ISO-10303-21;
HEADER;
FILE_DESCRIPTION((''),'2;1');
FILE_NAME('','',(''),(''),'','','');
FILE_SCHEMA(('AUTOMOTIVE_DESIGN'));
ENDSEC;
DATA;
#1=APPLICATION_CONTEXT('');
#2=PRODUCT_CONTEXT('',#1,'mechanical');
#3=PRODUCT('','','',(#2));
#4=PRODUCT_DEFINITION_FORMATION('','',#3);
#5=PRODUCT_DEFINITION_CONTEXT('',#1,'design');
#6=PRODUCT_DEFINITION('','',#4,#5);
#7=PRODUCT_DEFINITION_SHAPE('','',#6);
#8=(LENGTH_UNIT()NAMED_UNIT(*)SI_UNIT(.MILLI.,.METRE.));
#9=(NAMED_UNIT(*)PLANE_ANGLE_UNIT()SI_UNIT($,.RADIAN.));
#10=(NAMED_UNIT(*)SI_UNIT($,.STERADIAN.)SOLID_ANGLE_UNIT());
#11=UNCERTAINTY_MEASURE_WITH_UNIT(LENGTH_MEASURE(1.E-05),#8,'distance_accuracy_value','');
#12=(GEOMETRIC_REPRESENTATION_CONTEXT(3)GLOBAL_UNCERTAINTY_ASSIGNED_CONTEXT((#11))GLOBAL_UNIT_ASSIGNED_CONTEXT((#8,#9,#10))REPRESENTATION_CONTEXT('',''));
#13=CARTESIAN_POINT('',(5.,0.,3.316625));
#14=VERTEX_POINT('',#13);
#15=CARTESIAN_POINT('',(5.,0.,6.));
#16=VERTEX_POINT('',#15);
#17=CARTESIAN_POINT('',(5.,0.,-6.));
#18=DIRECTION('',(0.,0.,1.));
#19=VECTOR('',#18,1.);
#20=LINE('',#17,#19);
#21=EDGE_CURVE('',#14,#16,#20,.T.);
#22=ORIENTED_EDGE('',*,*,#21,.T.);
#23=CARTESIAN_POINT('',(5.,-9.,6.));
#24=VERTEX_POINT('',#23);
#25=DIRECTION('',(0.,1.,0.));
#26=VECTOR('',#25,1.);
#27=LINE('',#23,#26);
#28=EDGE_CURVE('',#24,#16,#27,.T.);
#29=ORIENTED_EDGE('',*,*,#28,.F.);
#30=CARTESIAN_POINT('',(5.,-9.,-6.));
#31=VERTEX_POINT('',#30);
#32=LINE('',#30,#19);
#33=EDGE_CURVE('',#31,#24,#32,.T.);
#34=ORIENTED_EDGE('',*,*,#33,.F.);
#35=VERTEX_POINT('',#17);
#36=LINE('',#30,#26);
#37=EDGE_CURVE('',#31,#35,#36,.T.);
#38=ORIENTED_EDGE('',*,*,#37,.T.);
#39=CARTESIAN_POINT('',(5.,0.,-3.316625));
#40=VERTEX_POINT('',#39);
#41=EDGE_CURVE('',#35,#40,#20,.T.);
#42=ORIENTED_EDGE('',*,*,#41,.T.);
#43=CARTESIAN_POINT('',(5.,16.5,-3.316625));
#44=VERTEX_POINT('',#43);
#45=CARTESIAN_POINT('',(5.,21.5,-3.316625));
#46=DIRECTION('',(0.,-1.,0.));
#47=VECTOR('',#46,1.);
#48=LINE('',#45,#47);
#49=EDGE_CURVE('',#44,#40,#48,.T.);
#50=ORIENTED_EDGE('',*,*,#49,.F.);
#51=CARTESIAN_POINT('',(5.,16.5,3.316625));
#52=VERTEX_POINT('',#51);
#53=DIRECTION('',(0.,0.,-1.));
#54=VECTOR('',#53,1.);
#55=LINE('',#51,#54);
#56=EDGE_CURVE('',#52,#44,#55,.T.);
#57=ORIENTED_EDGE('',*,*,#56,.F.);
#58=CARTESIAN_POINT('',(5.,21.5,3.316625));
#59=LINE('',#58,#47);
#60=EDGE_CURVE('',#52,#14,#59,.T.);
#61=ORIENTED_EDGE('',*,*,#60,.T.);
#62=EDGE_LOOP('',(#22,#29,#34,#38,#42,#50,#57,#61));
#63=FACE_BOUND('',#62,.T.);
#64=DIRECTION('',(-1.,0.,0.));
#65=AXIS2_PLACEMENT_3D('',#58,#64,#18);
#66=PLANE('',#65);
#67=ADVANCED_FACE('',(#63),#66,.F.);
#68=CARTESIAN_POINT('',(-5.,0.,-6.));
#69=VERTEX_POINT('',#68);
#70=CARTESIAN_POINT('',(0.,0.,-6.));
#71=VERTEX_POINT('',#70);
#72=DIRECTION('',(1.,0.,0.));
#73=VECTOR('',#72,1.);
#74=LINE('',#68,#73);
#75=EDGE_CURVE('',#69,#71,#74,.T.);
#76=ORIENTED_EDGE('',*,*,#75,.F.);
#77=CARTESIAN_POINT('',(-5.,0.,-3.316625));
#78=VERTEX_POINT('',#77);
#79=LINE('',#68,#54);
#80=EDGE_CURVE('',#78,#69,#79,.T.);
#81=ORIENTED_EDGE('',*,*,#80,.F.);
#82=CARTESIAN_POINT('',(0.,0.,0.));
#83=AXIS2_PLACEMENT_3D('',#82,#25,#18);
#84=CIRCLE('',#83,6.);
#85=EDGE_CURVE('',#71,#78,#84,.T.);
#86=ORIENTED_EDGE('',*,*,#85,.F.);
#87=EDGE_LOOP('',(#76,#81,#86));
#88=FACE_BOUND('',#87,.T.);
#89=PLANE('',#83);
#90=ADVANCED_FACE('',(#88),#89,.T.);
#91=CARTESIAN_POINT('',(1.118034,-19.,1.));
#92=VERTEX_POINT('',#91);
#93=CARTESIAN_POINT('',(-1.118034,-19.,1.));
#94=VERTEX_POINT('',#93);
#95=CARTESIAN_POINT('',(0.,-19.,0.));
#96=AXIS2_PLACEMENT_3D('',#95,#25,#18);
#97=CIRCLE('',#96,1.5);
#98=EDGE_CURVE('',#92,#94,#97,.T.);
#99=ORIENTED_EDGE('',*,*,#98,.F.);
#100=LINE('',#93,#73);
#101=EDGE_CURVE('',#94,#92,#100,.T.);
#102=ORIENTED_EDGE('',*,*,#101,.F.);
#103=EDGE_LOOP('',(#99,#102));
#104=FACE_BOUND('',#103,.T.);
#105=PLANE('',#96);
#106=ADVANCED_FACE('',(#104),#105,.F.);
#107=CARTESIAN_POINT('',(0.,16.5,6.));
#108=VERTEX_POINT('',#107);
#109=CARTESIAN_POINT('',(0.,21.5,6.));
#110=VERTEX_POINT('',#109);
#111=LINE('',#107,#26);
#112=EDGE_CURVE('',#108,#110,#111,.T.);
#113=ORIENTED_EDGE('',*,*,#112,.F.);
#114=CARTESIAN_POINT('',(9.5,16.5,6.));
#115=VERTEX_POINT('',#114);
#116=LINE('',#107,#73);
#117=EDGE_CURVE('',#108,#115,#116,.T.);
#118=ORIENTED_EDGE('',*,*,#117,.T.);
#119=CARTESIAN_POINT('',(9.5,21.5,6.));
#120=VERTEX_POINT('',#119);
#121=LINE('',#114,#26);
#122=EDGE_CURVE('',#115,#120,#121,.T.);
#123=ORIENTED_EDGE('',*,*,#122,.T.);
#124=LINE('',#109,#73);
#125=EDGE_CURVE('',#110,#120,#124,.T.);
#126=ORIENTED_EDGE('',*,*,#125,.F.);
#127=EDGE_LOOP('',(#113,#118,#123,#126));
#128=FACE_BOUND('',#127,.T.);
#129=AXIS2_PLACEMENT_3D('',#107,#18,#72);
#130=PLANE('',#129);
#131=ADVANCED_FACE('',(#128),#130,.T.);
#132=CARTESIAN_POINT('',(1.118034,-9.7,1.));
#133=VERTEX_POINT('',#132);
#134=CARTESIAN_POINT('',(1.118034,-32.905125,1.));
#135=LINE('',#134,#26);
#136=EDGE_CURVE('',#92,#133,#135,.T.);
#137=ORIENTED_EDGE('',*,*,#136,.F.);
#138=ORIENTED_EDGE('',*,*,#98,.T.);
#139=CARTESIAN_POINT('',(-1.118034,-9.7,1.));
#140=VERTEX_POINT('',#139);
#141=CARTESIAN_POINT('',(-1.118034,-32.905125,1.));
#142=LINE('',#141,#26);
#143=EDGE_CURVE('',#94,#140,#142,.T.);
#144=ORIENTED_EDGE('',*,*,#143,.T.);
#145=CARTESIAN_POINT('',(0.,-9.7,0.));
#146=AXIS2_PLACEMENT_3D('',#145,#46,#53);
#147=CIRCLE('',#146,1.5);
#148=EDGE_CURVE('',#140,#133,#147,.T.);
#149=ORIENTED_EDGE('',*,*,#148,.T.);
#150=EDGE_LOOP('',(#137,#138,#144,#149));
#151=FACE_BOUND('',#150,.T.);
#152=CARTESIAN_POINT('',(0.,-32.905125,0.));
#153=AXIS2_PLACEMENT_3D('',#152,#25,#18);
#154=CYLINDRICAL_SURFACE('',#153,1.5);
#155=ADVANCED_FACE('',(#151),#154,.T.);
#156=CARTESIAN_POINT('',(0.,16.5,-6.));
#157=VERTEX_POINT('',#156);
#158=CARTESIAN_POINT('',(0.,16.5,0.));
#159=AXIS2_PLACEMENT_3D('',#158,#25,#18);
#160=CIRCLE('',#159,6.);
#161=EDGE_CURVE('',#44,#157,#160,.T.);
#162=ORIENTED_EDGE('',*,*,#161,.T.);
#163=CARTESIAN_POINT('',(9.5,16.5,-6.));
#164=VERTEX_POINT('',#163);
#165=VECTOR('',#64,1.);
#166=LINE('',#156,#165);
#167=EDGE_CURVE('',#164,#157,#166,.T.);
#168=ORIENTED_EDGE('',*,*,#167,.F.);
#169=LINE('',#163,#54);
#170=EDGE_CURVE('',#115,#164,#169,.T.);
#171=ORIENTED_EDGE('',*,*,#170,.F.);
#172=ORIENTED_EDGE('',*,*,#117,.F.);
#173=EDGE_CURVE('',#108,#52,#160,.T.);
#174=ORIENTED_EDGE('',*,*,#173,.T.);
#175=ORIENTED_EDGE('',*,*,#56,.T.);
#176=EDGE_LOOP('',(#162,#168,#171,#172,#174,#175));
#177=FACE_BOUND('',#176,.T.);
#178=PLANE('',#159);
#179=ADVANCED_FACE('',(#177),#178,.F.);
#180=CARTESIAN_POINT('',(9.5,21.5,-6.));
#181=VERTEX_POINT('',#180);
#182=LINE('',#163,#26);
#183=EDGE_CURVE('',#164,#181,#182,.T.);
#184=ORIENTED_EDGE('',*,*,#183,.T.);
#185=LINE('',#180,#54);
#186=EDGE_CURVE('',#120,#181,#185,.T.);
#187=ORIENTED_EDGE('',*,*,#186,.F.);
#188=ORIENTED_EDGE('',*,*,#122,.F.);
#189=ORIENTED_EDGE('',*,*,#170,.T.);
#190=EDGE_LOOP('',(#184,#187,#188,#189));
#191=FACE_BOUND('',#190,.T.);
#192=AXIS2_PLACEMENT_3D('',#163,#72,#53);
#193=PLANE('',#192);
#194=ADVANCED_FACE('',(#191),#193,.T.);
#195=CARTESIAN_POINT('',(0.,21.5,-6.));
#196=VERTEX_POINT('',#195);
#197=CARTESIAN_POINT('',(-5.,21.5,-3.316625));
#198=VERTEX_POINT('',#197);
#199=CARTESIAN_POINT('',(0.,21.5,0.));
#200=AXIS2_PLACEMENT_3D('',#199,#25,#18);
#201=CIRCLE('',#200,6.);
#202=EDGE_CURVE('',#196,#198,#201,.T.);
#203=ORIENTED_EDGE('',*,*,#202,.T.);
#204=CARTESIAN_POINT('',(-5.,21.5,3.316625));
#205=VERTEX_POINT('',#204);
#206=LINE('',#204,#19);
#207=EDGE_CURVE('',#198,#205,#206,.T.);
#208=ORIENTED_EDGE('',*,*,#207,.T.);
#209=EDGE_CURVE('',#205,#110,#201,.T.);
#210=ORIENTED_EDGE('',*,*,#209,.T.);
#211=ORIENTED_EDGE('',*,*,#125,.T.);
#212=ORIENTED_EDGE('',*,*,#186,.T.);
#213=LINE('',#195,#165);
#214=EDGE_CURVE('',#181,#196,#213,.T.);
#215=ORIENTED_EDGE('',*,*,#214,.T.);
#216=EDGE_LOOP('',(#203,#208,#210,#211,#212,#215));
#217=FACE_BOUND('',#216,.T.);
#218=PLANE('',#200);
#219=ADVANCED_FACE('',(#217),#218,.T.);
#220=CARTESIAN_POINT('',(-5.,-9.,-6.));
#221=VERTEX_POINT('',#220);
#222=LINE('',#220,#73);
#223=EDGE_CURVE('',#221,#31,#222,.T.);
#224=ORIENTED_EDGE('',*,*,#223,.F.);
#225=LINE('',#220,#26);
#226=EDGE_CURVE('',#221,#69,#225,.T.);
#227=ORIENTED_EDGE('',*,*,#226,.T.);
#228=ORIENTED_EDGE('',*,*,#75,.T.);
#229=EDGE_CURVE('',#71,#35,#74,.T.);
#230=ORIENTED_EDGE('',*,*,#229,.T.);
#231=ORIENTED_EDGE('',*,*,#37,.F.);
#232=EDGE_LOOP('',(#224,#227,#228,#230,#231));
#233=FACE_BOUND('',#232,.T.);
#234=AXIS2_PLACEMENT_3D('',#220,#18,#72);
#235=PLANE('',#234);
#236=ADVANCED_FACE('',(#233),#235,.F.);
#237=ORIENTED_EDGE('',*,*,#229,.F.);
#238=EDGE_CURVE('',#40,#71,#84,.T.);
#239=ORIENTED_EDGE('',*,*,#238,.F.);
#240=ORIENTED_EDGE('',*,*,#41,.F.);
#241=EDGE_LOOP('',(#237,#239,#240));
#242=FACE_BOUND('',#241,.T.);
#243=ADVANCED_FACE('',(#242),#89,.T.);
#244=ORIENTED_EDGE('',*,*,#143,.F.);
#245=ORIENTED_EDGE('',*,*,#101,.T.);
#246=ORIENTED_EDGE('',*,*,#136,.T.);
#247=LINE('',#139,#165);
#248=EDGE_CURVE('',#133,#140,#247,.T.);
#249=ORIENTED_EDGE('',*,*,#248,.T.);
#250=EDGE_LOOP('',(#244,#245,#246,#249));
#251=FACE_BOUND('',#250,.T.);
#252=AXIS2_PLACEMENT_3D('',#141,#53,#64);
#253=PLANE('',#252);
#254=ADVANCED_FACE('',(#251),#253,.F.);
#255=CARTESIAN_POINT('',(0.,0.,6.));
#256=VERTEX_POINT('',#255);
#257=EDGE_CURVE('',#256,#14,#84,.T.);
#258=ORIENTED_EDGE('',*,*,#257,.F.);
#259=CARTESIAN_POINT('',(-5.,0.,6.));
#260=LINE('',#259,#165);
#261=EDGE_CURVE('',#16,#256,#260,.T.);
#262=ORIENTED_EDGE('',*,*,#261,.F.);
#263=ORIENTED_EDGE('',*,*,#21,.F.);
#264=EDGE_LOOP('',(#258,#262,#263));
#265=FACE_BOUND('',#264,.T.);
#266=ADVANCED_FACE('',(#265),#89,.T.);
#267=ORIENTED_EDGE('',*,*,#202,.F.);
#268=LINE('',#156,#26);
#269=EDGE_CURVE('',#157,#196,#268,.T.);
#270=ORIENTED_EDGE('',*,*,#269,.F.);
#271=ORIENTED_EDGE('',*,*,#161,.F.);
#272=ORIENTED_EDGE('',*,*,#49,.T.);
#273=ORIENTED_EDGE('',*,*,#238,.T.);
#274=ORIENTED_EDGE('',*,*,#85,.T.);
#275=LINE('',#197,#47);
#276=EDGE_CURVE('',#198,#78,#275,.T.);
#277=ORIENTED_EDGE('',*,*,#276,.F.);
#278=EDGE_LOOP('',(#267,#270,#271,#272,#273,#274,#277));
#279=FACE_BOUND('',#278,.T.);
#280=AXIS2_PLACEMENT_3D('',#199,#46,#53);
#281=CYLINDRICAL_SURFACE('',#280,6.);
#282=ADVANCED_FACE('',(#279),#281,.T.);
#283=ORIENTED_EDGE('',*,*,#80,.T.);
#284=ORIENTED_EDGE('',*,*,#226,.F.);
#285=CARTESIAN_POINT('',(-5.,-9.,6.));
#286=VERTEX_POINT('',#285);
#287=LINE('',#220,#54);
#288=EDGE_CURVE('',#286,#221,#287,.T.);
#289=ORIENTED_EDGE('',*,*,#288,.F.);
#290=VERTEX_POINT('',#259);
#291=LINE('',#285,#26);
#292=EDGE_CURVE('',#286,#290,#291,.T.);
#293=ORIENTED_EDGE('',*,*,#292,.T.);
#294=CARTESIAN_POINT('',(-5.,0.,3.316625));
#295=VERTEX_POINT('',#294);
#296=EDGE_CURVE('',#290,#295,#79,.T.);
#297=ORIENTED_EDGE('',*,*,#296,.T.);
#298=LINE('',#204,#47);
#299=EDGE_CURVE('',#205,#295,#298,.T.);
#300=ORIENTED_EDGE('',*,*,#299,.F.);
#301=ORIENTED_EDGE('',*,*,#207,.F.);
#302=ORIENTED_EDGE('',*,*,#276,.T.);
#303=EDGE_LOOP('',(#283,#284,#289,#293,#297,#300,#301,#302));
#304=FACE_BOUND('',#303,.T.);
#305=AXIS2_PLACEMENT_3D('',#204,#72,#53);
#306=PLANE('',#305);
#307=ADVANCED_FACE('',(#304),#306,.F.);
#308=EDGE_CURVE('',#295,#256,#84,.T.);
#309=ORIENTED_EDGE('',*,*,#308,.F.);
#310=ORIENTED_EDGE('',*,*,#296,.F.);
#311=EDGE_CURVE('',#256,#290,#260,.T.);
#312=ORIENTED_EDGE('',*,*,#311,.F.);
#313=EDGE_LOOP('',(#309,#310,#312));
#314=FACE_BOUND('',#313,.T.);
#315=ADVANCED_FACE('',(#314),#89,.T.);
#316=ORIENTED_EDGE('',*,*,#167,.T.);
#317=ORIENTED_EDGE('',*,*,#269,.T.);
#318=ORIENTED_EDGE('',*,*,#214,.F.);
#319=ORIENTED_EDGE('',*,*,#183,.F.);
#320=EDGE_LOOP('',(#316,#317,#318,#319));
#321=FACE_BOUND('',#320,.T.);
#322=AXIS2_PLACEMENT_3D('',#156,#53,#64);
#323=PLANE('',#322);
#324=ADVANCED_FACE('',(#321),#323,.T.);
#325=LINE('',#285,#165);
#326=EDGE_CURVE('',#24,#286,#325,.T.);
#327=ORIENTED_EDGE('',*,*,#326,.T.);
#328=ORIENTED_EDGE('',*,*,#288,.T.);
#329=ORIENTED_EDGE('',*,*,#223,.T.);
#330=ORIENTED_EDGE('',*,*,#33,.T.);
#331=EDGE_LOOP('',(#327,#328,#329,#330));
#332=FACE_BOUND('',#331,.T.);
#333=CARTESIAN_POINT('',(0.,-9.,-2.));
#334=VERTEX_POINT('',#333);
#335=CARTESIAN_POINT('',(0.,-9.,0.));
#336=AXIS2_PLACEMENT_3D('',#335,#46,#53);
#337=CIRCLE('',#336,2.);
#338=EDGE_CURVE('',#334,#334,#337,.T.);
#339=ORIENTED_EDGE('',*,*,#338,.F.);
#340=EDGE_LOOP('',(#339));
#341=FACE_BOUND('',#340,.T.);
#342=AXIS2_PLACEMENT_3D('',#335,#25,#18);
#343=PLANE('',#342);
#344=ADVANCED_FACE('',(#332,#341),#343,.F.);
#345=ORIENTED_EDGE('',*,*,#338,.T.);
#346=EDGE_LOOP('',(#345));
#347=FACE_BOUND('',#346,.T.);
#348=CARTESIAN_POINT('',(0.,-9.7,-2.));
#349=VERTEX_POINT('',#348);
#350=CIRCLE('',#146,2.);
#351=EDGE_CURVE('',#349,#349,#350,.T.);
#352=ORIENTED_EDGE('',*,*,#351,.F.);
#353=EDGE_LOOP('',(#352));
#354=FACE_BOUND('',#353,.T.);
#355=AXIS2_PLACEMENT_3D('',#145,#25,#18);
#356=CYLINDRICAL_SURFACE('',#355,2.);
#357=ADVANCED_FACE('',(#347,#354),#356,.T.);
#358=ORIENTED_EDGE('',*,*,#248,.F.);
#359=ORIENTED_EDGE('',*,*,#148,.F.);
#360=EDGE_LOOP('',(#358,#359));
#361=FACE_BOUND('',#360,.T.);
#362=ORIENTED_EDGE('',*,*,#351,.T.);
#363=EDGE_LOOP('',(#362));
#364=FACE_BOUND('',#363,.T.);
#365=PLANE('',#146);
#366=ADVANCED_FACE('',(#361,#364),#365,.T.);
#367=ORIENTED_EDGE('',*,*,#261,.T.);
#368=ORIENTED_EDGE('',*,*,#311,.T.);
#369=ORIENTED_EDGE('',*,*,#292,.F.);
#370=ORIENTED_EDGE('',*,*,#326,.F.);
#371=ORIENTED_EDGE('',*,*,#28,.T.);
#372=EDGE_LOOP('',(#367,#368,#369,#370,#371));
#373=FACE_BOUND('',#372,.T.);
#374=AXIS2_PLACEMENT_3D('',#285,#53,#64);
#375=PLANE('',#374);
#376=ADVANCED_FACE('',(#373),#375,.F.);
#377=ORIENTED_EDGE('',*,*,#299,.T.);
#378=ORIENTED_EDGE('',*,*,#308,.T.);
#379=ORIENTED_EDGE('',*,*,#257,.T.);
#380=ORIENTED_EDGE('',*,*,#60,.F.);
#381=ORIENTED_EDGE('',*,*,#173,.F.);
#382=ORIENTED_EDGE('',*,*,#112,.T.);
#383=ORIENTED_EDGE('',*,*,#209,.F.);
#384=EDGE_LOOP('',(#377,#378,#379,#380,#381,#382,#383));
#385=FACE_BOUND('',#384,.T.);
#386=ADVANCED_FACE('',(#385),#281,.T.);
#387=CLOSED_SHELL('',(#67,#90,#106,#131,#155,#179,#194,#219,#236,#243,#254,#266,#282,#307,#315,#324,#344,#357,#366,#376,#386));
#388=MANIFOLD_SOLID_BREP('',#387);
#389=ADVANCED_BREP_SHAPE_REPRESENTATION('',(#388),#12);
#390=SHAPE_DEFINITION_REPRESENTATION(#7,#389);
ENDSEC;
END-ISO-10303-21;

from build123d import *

# Parameters (mm, degrees)
EXTRUDE_1_DEPTH = 21.5
SKETCH_2_W      = 9.5
SKETCH_2_H      = 12
EXTRUDE_2_DEPTH = 5
SKETCH_3_W      = 10
SKETCH_3_H      = 12
EXTRUDE_3_DEPTH = 9
SKETCH_4_R      = 2
EXTRUDE_4_DEPTH = 0.7
EXTRUDE_6_DEPTH = 9.3


with BuildPart() as part:
    # 草图1 → 凸台-拉伸1 (new body)
    with BuildSketch(Plane(origin=(0, 0, 0), x_dir=(1, 0, 0), z_dir=(0, 1, 0))):
        with BuildLine():
            Line((-5, -3.31662479), (-5, 3.31662479))
            ThreePointArc((-5, 3.31662479), (0, 6), (5, 3.31662479))
            Line((5, 3.31662479), (5, -3.31662479))
            ThreePointArc((5, -3.31662479), (0, -6), (-5, -3.31662479))
        make_face()
    extrude(amount=EXTRUDE_1_DEPTH)

    # 草图2 → 凸台-拉伸2 (add)
    with BuildSketch(Plane(origin=(0, 21.5, 0), x_dir=(1, 0, 0), z_dir=(0, 1, 0))):
        with Locations((4.75, 0)):
            Rectangle(SKETCH_2_W, SKETCH_2_H)
    extrude(amount=-EXTRUDE_2_DEPTH)

    # 草图3 → 凸台-拉伸3 (add)
    with BuildSketch(Plane.XZ):
        Rectangle(SKETCH_3_W, SKETCH_3_H)
    extrude(amount=EXTRUDE_3_DEPTH)

    # 草图4 → 凸台-拉伸4 (add)
    with BuildSketch(Plane.XZ.offset(9)):
        with Locations(Location((0, 0, 0), (0, 0, 270))):
            Circle(SKETCH_4_R)
    extrude(amount=EXTRUDE_4_DEPTH)

    # 草图5 → 凸台-拉伸6 (add)
    with BuildSketch(Plane.XZ.offset(9.7)):
        with BuildLine():
            Line((-1.118033989, 1), (1.118033989, 1))
            ThreePointArc((1.118033989, 1), (0, -1.5), (-1.118033989, 1))
        make_face()
    extrude(amount=EXTRUDE_6_DEPTH)


solid = part.part
